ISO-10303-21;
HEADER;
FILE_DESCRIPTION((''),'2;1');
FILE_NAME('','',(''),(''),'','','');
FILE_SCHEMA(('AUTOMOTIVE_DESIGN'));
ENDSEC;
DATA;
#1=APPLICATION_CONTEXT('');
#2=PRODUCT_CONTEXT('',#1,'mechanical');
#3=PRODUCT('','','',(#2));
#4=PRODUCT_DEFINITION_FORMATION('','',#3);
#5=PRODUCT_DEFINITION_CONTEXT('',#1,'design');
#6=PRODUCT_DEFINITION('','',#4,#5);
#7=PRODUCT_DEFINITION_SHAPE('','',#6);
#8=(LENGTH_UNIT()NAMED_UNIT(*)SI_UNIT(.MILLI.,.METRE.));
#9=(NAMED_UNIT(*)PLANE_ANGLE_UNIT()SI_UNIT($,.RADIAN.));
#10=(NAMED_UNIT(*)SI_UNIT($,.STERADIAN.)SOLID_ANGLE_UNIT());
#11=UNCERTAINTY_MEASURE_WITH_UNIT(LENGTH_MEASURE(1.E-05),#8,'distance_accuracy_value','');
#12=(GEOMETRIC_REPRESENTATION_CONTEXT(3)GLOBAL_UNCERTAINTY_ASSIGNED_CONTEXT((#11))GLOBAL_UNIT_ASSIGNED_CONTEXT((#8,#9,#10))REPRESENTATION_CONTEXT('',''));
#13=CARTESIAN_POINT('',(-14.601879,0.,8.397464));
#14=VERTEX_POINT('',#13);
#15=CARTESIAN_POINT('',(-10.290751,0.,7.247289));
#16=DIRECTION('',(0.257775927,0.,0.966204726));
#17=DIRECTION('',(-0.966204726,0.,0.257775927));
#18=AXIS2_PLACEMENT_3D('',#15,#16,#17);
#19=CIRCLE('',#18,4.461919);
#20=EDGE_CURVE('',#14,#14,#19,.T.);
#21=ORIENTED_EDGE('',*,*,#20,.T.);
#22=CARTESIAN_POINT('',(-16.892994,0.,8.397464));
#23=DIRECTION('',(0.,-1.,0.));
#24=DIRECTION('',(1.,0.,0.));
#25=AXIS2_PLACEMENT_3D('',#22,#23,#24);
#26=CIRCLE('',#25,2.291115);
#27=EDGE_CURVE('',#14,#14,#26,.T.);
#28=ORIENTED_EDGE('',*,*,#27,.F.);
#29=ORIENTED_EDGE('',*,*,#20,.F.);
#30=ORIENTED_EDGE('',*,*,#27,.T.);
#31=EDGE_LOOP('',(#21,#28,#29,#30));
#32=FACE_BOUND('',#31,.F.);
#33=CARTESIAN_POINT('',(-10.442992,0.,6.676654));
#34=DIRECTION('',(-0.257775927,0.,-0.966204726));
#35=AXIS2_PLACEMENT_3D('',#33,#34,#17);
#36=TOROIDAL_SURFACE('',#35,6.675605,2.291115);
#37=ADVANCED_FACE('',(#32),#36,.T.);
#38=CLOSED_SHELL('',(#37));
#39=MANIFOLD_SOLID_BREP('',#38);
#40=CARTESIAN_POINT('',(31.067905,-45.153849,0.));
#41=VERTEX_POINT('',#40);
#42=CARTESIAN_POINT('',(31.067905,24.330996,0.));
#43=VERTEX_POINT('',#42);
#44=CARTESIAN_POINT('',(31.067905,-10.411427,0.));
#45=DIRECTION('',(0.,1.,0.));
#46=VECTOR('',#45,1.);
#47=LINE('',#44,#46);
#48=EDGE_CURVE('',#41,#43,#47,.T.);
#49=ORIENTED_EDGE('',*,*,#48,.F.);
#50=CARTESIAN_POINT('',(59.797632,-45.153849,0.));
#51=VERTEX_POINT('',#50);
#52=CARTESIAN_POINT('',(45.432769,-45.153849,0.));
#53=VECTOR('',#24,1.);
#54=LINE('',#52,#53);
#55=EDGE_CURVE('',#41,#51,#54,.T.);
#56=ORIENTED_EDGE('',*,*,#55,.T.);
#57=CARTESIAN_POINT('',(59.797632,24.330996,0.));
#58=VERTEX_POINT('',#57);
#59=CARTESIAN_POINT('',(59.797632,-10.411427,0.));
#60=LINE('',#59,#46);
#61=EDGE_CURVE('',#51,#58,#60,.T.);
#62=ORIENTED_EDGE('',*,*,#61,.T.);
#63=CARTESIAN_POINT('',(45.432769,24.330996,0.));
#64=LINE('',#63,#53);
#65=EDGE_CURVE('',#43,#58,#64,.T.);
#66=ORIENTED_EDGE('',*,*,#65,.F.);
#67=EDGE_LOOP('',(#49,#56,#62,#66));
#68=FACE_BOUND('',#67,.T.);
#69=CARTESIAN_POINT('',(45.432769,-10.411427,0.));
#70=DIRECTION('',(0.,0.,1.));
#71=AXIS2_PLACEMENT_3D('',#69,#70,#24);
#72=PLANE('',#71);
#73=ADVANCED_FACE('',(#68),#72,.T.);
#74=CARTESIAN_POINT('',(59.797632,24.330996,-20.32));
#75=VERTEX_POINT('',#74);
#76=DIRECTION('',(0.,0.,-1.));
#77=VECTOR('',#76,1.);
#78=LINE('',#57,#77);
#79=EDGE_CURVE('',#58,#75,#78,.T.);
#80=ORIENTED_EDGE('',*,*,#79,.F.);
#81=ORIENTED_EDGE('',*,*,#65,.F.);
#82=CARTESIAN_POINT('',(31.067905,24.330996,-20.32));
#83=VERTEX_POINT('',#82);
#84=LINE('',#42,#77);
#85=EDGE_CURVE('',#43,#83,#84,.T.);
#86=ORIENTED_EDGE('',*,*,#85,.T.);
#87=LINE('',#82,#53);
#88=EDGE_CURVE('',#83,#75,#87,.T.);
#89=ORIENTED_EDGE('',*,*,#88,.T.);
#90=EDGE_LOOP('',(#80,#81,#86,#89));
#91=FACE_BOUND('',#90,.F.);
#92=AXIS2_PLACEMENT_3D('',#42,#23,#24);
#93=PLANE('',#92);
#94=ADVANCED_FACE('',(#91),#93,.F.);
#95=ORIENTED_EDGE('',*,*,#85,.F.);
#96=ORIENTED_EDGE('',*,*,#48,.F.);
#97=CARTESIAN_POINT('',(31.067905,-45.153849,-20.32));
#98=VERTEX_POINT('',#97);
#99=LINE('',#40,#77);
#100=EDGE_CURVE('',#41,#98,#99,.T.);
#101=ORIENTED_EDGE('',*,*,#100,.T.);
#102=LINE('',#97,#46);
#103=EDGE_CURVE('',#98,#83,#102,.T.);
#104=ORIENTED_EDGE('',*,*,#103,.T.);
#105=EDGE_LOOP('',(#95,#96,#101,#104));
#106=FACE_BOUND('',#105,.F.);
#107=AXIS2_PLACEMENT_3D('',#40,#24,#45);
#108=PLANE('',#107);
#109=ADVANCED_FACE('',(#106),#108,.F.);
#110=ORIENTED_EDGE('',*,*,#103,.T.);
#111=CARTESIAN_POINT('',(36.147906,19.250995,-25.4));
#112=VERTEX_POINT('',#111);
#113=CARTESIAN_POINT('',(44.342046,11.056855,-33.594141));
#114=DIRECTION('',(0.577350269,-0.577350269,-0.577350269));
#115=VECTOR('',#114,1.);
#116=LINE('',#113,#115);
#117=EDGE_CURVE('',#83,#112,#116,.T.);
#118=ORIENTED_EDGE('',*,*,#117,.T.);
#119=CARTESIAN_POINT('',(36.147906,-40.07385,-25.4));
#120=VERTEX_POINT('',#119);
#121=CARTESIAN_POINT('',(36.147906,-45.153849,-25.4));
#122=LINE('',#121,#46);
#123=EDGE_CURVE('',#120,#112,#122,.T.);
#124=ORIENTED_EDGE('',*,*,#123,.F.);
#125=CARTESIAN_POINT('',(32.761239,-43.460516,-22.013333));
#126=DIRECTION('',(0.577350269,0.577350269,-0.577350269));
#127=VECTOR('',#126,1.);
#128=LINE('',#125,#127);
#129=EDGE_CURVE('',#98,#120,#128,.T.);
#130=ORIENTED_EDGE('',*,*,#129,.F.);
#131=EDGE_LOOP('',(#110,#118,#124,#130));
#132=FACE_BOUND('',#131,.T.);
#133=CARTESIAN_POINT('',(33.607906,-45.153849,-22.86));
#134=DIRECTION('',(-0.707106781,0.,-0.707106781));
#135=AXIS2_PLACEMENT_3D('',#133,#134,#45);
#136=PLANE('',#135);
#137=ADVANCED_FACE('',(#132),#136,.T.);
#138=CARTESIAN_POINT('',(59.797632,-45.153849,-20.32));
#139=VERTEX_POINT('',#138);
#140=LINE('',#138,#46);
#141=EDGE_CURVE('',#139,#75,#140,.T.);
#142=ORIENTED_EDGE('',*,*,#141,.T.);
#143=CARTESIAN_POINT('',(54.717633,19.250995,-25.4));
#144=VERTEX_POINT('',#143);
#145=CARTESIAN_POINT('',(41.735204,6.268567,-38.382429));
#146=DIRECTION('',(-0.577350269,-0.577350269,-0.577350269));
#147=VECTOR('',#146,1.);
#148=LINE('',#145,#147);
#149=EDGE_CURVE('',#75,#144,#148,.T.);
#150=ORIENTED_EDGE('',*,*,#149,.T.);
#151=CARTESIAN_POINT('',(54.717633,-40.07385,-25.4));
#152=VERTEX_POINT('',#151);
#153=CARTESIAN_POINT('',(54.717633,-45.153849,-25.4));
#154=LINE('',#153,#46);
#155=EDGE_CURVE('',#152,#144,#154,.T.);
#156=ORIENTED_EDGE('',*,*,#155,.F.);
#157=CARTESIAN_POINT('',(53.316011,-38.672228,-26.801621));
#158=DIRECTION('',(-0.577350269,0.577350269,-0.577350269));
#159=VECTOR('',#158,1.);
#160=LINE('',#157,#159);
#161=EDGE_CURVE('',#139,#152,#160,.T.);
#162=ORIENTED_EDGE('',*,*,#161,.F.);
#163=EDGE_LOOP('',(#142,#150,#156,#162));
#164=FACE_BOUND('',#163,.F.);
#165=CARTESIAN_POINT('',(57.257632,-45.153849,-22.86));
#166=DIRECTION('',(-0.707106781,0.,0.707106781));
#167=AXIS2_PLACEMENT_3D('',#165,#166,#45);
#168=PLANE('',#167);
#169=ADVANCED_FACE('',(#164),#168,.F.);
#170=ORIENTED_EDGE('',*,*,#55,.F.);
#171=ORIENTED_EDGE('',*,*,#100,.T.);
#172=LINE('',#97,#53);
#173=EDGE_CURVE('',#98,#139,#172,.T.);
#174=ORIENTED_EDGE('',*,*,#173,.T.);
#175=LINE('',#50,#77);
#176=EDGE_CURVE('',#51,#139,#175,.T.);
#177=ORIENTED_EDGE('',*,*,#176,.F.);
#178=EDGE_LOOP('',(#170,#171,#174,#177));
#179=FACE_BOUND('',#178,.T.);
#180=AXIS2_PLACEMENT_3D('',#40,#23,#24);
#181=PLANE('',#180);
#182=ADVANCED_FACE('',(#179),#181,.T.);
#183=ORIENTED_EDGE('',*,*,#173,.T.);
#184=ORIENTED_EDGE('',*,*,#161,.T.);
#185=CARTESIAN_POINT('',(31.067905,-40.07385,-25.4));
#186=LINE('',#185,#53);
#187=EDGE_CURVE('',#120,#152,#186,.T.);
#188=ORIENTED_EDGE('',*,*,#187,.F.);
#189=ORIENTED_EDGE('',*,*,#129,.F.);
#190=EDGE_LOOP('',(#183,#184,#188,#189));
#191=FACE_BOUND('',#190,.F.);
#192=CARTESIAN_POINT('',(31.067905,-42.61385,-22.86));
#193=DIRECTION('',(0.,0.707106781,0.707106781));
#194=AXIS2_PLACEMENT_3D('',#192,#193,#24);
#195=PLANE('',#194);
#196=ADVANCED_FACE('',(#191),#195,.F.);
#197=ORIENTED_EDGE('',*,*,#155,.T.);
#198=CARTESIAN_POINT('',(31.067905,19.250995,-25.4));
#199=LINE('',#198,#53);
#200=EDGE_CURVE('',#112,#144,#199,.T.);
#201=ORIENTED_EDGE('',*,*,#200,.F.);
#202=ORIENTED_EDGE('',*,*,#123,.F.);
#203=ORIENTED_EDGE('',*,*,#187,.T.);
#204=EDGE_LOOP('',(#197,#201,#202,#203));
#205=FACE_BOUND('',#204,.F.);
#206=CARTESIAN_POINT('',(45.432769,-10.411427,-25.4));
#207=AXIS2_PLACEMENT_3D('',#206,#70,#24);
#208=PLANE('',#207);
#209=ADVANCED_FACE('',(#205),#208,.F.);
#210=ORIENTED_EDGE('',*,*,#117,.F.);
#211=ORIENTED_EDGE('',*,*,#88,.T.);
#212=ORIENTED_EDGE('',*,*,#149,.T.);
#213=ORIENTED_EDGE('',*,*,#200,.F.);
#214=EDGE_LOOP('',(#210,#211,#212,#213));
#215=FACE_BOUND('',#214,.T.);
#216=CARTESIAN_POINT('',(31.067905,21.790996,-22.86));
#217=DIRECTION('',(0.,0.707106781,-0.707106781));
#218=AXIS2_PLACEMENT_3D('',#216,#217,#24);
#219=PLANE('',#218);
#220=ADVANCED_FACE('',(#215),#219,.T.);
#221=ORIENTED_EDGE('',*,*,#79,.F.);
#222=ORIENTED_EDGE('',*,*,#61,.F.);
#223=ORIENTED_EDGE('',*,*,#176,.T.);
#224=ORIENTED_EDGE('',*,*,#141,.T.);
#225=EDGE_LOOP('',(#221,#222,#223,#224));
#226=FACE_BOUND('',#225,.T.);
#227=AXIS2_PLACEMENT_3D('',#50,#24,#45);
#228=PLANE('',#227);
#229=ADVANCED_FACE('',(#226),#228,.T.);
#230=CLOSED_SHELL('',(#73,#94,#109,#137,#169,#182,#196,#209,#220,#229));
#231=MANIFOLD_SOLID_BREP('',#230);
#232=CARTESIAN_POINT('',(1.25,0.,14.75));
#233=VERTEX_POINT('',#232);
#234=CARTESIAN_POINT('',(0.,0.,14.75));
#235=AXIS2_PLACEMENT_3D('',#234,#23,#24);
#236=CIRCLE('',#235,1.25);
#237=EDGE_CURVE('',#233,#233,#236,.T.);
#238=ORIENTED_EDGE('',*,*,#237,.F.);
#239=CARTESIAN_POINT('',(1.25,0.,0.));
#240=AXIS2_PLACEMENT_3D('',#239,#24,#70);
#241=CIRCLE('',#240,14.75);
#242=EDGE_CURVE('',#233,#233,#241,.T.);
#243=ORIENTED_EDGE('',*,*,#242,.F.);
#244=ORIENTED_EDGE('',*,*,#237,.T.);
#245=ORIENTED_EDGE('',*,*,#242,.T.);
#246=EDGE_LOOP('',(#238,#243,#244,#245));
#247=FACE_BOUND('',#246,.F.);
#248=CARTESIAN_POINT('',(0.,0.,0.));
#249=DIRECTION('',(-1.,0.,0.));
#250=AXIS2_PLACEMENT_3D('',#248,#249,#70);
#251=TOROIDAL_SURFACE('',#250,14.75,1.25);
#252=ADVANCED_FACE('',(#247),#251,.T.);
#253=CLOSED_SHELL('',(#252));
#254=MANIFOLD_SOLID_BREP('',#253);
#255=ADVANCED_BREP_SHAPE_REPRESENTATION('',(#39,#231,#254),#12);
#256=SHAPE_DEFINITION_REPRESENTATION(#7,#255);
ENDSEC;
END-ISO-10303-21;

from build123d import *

# Parameters (mm, degrees)
F0_R     = 1.25
F4_R     = 2.291115
F6_W     = 28.729727
F6_H     = 69.484845
F7_DEPTH = 25.4
F2_SIZE  = 5.08


with BuildPart() as f1:
    # F0 (on Front) → F1 (revolve)
    with BuildSketch(Plane.XZ):
        with Locations((0, 14.75)):
            Circle(F0_R)
    revolve(axis=Axis((3.545721, 0, 0), (1, 0, 0)))


with BuildPart() as f5:
    # F4 (on face) → F5 (revolve)
    with BuildSketch(Plane.XZ):
        with Locations((-16.892994, 8.397464)):
            Circle(F4_R)
    revolve(axis=Axis((-17.68117, 0, -20.453736), (0.257776, 0, 0.966205)))


with BuildPart() as f7:
    # F6 (on Top) → F7 (new body)
    with BuildSketch(Plane.XY):
        with Locations((45.432769, -10.411427)):
            Rectangle(F6_W, F6_H)
    extrude(amount=-F7_DEPTH)

    # F2
    f2_edges = [f7.edges().sort_by_distance(p)[0] for p in [
        (59.797633, -10.411426, -25.4),
        (45.43277, -45.153849, -25.4),
        (45.43277, 24.330996, -25.4),
        (31.067906, -10.411426, -25.4),
    ]]
    chamfer(f2_edges, length=F2_SIZE)


solid = Compound([f1.part, f5.part, f7.part])
